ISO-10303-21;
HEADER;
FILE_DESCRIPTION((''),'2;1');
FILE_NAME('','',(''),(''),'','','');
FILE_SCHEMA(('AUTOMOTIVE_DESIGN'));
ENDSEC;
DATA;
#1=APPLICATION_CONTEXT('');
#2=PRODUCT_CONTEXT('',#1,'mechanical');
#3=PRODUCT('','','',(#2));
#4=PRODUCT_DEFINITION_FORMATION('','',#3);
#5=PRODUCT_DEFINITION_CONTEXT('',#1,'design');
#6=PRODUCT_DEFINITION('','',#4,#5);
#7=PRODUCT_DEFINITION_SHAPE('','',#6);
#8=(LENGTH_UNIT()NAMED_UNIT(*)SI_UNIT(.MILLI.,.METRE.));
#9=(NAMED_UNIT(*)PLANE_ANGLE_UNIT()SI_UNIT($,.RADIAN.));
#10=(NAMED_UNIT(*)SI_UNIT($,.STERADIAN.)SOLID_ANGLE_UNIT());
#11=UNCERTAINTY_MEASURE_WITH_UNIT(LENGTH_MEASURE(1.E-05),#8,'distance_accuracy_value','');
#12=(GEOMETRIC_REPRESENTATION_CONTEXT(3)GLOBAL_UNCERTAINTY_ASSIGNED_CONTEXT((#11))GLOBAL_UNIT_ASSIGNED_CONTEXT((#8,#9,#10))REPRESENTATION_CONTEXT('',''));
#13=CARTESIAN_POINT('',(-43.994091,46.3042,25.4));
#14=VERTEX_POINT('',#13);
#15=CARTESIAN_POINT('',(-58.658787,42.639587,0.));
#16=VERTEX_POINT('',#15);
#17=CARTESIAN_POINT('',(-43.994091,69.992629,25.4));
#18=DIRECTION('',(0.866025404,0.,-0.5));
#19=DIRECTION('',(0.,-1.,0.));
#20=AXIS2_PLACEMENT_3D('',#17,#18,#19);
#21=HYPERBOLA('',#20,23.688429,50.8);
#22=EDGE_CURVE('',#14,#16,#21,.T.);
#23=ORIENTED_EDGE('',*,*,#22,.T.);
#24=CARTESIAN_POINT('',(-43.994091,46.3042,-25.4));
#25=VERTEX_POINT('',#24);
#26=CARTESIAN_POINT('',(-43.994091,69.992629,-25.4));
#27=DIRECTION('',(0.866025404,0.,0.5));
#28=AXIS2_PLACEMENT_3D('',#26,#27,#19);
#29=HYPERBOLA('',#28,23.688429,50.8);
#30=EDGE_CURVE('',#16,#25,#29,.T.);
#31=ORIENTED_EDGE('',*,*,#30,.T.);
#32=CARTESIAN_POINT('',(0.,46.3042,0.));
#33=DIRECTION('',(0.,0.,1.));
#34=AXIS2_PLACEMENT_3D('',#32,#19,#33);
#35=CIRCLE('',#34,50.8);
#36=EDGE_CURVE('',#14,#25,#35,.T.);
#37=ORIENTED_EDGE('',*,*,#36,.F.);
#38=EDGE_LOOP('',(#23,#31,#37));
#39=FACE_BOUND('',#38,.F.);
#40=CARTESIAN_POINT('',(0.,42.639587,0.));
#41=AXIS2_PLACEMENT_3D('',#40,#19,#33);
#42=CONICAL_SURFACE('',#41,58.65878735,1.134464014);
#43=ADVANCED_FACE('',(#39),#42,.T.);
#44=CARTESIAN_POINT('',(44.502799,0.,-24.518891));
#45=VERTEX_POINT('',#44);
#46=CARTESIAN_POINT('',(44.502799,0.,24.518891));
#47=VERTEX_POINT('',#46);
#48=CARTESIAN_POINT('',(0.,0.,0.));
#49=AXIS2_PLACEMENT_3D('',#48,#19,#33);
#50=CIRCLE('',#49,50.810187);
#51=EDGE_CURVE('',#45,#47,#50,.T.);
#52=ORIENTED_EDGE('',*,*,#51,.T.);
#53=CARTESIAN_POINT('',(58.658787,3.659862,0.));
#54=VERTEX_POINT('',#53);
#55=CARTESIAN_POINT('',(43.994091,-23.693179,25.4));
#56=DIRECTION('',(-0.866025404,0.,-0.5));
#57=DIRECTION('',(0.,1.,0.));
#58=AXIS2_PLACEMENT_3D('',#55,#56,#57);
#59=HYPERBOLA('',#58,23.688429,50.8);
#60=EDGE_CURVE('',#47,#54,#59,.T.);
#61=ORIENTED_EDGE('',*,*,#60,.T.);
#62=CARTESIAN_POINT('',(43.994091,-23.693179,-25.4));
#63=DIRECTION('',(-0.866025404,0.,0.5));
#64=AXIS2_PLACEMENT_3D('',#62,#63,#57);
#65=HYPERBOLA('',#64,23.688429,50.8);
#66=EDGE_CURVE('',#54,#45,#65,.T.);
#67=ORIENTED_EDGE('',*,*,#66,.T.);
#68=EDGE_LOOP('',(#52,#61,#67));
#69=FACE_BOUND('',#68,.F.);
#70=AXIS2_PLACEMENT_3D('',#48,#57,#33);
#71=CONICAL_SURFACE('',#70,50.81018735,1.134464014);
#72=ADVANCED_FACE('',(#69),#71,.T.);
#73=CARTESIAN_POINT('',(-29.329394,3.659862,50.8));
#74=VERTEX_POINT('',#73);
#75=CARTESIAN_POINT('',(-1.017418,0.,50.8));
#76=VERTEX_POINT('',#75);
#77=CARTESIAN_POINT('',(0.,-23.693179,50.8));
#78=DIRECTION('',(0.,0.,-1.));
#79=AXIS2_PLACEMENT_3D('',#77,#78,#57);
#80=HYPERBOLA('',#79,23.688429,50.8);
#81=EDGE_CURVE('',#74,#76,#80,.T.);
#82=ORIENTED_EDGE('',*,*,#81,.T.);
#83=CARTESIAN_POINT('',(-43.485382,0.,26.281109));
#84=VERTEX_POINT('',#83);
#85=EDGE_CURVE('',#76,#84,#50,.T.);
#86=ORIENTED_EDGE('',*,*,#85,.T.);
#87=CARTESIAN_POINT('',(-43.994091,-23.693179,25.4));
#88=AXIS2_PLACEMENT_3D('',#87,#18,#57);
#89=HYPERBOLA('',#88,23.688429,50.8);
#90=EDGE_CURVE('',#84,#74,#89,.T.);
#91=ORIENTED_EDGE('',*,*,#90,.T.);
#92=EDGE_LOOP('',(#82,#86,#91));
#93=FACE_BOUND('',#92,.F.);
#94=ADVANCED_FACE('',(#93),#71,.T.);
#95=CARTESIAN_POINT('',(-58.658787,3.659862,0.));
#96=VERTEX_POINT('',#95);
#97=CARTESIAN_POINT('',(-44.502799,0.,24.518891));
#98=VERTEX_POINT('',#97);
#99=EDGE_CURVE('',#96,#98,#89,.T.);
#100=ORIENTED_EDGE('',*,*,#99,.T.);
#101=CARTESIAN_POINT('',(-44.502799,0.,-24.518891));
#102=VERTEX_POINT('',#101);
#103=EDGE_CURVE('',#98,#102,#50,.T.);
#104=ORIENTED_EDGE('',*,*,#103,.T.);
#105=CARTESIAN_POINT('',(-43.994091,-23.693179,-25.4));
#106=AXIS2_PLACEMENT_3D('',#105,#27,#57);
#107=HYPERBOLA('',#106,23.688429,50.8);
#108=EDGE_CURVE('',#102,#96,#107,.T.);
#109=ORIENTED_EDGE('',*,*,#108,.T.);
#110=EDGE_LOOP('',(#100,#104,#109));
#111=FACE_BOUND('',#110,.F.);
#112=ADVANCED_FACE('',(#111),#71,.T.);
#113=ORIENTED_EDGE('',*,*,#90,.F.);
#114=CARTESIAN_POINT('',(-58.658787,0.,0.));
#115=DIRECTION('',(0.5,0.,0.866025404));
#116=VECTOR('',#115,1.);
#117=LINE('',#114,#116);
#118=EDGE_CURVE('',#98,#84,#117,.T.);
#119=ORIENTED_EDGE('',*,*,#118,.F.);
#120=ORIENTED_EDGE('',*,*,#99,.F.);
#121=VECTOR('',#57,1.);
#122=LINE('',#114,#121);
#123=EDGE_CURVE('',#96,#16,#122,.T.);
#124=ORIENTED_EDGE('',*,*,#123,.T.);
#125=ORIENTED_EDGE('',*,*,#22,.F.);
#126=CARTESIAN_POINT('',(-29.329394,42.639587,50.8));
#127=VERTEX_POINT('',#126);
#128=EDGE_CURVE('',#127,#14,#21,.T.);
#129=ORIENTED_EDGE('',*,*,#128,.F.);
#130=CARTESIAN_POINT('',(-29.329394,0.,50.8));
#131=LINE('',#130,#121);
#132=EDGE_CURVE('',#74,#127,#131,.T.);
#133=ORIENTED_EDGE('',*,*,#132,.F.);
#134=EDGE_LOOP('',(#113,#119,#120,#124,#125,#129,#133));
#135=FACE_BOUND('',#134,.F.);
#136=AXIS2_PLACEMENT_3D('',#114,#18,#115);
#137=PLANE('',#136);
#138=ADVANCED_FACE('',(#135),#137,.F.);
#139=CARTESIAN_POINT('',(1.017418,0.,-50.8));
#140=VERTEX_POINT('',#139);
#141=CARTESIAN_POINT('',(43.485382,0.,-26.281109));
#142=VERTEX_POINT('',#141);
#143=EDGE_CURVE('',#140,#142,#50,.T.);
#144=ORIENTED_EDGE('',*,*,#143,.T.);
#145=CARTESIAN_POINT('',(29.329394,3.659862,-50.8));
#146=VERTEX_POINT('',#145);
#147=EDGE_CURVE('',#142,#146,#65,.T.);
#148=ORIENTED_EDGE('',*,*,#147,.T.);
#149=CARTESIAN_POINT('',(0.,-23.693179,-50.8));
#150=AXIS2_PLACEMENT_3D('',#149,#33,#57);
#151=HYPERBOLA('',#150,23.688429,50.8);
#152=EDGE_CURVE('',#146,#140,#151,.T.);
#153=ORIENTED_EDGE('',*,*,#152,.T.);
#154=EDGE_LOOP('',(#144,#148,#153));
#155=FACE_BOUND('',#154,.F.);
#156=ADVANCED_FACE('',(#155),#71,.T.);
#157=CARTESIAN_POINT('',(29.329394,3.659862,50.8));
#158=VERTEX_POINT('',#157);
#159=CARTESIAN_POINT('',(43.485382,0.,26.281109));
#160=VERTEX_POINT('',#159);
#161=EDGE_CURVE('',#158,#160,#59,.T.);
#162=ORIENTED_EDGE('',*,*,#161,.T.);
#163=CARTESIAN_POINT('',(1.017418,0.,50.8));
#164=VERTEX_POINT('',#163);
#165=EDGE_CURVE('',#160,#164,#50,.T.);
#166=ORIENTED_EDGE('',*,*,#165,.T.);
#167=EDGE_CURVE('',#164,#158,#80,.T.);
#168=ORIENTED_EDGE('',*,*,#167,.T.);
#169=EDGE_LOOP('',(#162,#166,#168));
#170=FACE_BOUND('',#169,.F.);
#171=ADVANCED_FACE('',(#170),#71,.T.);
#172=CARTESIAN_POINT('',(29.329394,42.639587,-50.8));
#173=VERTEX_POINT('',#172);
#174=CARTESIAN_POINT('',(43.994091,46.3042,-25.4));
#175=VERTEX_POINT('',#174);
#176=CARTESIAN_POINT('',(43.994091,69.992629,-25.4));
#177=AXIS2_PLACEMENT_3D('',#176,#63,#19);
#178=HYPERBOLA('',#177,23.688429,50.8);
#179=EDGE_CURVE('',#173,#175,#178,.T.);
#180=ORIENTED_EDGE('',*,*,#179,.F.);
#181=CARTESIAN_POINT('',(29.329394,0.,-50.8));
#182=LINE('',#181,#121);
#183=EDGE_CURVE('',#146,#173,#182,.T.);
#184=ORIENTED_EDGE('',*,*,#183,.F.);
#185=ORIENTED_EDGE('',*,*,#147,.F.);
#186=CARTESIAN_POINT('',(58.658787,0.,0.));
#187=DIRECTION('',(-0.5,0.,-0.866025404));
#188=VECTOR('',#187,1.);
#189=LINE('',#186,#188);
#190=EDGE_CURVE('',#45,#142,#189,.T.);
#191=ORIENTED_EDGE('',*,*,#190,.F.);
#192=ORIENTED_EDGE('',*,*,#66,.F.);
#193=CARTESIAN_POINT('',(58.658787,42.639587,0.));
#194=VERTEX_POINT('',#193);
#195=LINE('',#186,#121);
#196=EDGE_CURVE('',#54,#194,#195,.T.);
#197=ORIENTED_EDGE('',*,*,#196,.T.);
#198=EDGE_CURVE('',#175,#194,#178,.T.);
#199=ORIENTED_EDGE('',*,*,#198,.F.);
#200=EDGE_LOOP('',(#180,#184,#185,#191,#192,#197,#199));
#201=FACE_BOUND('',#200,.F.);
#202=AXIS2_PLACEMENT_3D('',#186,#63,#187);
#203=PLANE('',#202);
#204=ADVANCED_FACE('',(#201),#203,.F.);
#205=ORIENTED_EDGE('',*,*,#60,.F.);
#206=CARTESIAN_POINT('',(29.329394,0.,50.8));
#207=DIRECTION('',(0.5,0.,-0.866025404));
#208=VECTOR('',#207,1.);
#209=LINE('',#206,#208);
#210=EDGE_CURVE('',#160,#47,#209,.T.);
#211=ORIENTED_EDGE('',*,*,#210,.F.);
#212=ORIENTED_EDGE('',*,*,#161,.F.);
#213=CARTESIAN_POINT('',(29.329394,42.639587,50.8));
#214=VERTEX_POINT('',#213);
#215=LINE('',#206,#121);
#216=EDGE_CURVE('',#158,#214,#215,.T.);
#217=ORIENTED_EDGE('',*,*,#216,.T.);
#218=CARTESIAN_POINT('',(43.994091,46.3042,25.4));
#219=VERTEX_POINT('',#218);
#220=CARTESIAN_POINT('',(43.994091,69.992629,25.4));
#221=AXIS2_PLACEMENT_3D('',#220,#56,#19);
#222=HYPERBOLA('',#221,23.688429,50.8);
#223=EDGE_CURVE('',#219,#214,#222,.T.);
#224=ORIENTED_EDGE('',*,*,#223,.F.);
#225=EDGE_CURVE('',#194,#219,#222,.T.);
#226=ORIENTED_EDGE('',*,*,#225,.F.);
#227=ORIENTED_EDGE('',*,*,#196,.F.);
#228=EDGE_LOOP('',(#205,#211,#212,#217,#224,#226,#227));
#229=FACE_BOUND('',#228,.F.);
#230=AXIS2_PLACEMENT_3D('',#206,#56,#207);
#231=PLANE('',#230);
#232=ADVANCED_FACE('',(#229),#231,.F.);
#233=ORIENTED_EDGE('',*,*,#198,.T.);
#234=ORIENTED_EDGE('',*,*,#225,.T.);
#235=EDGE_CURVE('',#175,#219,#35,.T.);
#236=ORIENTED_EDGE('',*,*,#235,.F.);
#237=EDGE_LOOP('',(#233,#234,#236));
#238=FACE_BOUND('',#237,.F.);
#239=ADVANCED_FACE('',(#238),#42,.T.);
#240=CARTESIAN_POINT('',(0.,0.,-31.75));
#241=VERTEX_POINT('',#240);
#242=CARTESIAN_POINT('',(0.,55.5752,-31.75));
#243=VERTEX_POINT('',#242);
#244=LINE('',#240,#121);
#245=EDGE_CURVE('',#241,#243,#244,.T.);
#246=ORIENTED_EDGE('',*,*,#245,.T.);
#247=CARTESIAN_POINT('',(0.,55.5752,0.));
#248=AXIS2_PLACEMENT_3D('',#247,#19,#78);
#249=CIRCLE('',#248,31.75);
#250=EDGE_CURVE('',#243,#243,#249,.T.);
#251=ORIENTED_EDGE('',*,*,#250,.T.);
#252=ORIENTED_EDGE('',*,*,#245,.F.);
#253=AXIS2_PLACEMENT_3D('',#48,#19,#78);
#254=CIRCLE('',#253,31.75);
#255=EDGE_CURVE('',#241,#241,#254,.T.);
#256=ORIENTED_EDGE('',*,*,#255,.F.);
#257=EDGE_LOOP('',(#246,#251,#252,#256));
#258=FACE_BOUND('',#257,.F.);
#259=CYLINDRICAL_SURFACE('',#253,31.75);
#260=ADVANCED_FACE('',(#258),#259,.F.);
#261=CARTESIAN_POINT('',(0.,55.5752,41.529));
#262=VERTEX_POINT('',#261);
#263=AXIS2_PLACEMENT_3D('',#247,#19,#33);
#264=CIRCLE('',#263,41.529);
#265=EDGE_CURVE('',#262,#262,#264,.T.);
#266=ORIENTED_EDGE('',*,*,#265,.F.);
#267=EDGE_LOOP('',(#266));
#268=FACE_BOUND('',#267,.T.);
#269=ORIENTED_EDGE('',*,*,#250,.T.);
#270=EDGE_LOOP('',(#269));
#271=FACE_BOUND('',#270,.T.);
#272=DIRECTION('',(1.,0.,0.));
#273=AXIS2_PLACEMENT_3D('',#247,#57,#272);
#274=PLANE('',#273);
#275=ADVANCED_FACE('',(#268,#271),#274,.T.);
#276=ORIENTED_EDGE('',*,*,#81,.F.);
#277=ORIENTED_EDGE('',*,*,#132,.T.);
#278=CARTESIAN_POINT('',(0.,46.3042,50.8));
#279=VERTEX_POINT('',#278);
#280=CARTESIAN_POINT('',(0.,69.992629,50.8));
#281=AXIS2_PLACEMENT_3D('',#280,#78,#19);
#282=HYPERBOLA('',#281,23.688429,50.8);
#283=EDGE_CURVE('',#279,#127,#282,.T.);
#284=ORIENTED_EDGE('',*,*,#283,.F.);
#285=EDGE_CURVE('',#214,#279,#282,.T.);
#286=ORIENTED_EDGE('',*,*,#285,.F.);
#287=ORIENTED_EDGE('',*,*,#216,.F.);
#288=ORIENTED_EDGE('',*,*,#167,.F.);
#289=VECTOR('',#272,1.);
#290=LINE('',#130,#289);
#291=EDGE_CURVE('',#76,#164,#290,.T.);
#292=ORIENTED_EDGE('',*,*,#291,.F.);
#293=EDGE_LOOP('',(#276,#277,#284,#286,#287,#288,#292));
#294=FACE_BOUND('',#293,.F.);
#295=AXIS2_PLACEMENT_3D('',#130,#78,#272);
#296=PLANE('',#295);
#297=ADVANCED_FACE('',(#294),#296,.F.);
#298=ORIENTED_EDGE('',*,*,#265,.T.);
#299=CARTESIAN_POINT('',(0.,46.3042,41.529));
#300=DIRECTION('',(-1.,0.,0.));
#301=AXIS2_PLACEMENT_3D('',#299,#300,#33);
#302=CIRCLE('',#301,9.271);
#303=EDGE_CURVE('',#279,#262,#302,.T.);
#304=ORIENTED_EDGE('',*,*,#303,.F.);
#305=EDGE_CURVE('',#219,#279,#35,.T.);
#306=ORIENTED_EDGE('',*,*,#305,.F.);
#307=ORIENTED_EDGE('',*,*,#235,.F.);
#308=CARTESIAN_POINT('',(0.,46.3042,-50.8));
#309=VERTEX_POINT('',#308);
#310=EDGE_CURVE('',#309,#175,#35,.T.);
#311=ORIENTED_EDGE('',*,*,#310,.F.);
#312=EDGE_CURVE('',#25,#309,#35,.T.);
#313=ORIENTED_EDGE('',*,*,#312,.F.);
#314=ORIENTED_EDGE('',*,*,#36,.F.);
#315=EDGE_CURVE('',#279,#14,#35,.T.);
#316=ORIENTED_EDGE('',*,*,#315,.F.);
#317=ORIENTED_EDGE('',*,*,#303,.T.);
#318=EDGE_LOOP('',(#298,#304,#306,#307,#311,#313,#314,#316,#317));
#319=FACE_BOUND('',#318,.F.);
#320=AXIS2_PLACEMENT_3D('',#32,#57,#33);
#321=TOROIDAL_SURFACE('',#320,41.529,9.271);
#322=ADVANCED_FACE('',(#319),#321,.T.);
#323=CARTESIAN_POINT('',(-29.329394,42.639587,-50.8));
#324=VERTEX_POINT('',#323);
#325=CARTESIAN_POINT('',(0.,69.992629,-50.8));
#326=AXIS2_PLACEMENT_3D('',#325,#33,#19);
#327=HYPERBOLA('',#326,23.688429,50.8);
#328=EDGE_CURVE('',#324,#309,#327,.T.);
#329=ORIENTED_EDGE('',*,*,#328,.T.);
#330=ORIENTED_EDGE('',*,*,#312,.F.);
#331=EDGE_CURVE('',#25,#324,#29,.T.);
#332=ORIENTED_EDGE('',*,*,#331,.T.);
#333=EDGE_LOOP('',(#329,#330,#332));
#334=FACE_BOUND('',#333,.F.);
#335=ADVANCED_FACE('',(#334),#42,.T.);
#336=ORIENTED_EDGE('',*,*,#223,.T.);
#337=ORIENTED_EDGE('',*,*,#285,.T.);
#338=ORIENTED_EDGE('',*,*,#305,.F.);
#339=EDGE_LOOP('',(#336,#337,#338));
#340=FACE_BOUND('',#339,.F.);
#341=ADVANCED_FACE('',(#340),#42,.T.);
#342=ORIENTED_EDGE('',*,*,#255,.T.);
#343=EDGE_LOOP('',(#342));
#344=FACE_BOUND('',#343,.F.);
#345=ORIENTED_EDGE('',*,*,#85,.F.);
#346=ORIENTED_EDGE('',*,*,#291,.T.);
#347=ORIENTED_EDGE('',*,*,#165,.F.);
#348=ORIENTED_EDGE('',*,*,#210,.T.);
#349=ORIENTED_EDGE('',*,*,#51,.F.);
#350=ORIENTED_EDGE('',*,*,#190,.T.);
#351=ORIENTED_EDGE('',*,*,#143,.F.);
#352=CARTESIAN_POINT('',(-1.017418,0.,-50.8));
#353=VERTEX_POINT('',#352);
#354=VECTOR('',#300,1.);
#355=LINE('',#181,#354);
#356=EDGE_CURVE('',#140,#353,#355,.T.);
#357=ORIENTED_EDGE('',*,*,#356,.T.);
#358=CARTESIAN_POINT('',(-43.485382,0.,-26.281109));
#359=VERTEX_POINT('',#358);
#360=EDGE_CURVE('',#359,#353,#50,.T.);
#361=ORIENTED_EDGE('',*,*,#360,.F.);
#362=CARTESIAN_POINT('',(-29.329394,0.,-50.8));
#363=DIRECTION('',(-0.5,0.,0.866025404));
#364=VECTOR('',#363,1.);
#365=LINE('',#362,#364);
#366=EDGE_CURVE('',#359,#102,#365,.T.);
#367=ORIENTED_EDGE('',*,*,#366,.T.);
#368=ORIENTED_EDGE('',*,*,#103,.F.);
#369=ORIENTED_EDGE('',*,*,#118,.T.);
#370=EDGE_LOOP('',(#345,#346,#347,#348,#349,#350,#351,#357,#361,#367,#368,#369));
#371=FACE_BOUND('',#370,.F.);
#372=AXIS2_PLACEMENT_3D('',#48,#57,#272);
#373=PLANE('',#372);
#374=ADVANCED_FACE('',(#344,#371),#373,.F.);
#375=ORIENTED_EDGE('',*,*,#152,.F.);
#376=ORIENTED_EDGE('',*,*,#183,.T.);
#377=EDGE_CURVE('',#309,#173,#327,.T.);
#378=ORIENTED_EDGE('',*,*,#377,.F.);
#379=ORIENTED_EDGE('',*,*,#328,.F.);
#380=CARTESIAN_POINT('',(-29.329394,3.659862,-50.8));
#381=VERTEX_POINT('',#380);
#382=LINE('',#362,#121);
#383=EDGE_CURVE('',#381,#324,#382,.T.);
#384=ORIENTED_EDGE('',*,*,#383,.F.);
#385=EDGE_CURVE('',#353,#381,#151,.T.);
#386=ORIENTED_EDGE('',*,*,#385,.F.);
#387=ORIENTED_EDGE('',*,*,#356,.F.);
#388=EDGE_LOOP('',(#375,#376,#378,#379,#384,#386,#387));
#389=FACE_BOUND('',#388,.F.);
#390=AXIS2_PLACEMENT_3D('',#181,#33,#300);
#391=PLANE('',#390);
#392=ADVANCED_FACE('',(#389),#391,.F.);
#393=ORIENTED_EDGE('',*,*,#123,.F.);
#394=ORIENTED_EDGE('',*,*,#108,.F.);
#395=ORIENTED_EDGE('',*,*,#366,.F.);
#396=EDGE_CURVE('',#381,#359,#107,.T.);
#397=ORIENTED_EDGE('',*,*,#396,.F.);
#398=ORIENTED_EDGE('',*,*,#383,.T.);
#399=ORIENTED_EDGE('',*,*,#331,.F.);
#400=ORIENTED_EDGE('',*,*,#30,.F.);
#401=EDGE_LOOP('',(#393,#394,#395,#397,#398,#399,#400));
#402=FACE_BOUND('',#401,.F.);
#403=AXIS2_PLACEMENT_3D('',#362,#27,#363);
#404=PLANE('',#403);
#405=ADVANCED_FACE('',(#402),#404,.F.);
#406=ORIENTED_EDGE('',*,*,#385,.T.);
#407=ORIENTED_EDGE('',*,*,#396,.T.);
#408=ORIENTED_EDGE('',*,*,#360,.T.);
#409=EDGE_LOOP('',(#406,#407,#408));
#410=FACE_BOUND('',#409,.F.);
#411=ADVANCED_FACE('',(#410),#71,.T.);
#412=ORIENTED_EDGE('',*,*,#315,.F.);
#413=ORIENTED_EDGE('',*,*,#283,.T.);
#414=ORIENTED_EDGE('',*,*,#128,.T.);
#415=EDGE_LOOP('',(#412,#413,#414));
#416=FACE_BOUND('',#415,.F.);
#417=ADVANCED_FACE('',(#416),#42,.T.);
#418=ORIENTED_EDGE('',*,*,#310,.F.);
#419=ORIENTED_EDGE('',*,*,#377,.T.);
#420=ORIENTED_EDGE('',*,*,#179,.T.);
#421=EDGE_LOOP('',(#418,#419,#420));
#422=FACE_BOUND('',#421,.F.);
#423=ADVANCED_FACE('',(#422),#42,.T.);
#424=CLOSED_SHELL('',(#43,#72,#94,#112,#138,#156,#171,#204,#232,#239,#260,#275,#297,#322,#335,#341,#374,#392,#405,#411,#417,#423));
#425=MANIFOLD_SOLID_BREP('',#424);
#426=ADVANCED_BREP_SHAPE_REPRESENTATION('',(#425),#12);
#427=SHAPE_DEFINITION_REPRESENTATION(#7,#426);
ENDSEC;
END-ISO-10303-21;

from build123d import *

# Parameters (mm, degrees)
BASE_EXTRUDE_DEPTH = 55.5752
SKETCH2_R          = 31.75
CUT_EXTRUDE1_DEPTH = 96.446823878


with BuildPart() as part:
    # Sketch1 → Base-Extrude (new body)
    with BuildSketch(Plane(origin=(0, 0, 0), x_dir=(1, 0, 0), z_dir=(0, 1, 0))):
        Polygon((58.65878735, 0), (29.329393675, 50.8), (-29.329393675, 50.8), (-58.65878735, 0), (-29.329393675, -50.8), (29.329393675, -50.8), align=None)
    extrude(amount=BASE_EXTRUDE_DEPTH)

    # Sketch2 → Cut-Extrude1 (cut, through all)
    with BuildSketch(Plane(origin=(0, 0, 0), x_dir=(-1, 0, 0), z_dir=(0, -1, 0))):
        Circle(SKETCH2_R)
    extrude(amount=-CUT_EXTRUDE1_DEPTH, mode=Mode.SUBTRACT)

    # Sketch10 → Cut-Revolve3 (revolve, cut)
    with BuildSketch(Plane.XY):
        with BuildLine():
            Line((0, 56.8452), (59.9186, 56.8452))
            Line((59.9186, 56.8452), (59.9186, -1.27))
            Line((59.9186, -1.27), (0, -1.27))
            Line((0, -1.27), (0, 0))
            Line((0, 0), (50.81018735, 0))
            Line((50.81018735, 0), (58.65878735, 3.659862286))
            Line((58.65878735, 3.659862286), (58.65878735, 42.639587275))
            Line((58.65878735, 42.639587275), (50.8, 46.3042))
            ThreePointArc((50.8, 46.3042), (48.084586968, 52.859786968), (41.529, 55.5752))
            Line((41.529, 55.5752), (0, 55.5752))
            Line((0, 55.5752), (0, 56.8452))
        make_face()
    revolve(axis=Axis((0, 55.5752, 0), (0, -1, 0)), mode=Mode.SUBTRACT)


solid = part.part
